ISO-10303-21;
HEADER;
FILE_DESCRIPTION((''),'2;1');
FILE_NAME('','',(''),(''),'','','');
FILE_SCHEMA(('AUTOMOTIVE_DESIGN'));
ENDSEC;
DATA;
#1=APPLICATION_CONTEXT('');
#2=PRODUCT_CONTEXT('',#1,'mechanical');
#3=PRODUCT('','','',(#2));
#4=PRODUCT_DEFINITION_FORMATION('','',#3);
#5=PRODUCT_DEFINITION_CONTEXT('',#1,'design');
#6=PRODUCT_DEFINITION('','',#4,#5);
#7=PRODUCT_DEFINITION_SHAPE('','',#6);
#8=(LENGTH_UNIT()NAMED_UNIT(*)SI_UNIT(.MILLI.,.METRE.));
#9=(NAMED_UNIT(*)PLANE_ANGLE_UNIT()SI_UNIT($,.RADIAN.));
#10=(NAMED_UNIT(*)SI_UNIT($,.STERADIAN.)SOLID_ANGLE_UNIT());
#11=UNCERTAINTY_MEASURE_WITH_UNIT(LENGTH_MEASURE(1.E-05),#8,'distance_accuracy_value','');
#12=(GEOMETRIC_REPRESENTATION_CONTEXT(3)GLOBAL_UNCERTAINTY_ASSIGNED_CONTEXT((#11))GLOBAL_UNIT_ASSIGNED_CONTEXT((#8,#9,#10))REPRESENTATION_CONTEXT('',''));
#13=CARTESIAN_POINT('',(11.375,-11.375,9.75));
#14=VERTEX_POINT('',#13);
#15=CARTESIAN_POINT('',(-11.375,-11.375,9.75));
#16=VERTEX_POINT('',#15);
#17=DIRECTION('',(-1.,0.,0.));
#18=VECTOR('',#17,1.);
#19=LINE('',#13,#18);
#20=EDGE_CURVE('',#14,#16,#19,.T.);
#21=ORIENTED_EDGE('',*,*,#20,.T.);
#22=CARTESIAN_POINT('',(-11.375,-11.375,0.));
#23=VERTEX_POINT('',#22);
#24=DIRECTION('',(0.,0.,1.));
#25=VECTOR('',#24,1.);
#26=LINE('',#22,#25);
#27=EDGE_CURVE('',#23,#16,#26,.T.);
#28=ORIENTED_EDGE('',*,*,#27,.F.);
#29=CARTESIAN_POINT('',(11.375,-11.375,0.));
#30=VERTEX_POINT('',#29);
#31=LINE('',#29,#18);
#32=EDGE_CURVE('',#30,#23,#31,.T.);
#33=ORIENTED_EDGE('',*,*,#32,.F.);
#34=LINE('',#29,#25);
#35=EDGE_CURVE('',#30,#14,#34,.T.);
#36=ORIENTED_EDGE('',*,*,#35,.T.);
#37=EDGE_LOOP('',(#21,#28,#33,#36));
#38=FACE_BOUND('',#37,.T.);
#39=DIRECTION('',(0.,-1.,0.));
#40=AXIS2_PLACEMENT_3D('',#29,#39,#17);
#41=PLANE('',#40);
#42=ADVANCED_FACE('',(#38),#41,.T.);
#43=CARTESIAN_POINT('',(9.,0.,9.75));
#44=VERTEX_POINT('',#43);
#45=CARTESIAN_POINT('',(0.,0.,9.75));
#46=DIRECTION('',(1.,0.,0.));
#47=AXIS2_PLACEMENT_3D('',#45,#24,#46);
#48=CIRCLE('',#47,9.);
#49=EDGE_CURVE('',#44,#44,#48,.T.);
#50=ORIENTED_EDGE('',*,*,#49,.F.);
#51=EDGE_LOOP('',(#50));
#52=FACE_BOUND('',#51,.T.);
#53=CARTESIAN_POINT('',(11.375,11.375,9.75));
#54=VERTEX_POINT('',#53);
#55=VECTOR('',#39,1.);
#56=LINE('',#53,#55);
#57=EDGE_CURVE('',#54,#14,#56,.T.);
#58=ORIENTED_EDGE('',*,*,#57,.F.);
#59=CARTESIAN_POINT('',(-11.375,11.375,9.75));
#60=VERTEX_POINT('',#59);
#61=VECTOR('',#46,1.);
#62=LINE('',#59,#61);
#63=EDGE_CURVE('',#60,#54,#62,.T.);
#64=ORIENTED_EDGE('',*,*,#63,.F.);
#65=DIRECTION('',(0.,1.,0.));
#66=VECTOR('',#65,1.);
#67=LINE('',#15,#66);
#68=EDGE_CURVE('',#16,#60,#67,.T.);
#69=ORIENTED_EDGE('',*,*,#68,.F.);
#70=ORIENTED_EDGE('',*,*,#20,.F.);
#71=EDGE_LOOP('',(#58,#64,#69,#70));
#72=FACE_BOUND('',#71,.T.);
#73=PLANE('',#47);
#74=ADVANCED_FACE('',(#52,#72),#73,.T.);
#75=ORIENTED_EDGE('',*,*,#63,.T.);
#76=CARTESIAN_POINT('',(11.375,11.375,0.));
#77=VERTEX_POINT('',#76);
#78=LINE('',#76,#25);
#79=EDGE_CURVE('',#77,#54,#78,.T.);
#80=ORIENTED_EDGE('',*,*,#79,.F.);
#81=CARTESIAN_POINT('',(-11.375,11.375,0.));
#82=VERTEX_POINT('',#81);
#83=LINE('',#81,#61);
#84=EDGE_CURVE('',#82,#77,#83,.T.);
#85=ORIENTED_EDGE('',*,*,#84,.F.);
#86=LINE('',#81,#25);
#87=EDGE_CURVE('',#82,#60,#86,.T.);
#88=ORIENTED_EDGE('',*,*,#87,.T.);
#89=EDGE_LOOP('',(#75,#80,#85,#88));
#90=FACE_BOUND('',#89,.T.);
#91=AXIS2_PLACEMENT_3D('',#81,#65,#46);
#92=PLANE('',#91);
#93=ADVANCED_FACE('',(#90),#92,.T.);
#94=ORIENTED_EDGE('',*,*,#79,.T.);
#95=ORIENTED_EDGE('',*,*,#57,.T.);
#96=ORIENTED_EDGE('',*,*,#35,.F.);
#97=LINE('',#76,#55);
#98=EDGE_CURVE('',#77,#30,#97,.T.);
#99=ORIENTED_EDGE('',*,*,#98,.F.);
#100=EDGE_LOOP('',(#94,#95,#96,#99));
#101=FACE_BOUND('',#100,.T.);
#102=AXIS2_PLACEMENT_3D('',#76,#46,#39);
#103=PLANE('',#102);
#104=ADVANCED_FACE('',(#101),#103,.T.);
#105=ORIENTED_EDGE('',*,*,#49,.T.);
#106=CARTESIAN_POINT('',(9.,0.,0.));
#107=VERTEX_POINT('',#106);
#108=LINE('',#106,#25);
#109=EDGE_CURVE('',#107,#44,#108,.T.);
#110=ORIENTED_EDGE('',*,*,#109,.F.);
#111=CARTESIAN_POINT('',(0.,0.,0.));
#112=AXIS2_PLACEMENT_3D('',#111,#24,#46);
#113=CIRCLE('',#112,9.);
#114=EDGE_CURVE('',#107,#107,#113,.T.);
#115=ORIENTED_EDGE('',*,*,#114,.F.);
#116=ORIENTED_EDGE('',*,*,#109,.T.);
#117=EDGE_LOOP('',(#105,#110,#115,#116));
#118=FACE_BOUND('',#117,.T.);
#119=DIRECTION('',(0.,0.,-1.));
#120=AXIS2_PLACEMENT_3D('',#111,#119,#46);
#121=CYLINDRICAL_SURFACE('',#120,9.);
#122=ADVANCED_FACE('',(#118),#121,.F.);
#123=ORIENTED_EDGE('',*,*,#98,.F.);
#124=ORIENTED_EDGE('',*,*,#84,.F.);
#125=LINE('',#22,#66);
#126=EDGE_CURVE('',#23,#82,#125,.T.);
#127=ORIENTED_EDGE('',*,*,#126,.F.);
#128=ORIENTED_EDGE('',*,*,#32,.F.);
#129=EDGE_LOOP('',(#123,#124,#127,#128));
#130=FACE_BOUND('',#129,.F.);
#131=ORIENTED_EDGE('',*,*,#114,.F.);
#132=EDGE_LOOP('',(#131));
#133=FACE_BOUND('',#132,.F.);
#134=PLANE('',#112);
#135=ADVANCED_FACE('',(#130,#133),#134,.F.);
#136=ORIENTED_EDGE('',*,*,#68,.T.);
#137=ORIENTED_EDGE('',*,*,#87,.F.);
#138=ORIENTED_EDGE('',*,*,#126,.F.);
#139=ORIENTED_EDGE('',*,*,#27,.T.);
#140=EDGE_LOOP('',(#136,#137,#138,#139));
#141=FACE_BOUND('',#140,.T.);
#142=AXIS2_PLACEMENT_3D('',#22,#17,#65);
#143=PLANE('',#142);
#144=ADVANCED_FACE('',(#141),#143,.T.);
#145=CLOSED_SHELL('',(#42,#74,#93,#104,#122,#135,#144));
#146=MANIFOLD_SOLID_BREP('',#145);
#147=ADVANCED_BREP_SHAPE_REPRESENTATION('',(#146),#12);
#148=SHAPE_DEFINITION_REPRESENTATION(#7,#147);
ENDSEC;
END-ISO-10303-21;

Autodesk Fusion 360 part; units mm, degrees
sketch "Sketch1" plane through (0, 0, 0) normal (0, 0, 1) x (1, 0, 0)
  line L0 (-11.375, 11.375) -> (11.375, 11.375)
  line L1 (11.375, 11.375) -> (11.375, -11.375)
  line L2 (11.375, -11.375) -> (-11.375, -11.375)
  line L3 (-11.375, -11.375) -> (-11.375, 11.375)
  circle A0 centre (0, 0) radius 9
  point P0 (0, 11.375)
  point P1 (11.375, 0)
  dimension "d1" = 22.75
  dimension "d2" = 18
extrude "Extrude3" add sketch "Sketch1" along normal blind 9.75
